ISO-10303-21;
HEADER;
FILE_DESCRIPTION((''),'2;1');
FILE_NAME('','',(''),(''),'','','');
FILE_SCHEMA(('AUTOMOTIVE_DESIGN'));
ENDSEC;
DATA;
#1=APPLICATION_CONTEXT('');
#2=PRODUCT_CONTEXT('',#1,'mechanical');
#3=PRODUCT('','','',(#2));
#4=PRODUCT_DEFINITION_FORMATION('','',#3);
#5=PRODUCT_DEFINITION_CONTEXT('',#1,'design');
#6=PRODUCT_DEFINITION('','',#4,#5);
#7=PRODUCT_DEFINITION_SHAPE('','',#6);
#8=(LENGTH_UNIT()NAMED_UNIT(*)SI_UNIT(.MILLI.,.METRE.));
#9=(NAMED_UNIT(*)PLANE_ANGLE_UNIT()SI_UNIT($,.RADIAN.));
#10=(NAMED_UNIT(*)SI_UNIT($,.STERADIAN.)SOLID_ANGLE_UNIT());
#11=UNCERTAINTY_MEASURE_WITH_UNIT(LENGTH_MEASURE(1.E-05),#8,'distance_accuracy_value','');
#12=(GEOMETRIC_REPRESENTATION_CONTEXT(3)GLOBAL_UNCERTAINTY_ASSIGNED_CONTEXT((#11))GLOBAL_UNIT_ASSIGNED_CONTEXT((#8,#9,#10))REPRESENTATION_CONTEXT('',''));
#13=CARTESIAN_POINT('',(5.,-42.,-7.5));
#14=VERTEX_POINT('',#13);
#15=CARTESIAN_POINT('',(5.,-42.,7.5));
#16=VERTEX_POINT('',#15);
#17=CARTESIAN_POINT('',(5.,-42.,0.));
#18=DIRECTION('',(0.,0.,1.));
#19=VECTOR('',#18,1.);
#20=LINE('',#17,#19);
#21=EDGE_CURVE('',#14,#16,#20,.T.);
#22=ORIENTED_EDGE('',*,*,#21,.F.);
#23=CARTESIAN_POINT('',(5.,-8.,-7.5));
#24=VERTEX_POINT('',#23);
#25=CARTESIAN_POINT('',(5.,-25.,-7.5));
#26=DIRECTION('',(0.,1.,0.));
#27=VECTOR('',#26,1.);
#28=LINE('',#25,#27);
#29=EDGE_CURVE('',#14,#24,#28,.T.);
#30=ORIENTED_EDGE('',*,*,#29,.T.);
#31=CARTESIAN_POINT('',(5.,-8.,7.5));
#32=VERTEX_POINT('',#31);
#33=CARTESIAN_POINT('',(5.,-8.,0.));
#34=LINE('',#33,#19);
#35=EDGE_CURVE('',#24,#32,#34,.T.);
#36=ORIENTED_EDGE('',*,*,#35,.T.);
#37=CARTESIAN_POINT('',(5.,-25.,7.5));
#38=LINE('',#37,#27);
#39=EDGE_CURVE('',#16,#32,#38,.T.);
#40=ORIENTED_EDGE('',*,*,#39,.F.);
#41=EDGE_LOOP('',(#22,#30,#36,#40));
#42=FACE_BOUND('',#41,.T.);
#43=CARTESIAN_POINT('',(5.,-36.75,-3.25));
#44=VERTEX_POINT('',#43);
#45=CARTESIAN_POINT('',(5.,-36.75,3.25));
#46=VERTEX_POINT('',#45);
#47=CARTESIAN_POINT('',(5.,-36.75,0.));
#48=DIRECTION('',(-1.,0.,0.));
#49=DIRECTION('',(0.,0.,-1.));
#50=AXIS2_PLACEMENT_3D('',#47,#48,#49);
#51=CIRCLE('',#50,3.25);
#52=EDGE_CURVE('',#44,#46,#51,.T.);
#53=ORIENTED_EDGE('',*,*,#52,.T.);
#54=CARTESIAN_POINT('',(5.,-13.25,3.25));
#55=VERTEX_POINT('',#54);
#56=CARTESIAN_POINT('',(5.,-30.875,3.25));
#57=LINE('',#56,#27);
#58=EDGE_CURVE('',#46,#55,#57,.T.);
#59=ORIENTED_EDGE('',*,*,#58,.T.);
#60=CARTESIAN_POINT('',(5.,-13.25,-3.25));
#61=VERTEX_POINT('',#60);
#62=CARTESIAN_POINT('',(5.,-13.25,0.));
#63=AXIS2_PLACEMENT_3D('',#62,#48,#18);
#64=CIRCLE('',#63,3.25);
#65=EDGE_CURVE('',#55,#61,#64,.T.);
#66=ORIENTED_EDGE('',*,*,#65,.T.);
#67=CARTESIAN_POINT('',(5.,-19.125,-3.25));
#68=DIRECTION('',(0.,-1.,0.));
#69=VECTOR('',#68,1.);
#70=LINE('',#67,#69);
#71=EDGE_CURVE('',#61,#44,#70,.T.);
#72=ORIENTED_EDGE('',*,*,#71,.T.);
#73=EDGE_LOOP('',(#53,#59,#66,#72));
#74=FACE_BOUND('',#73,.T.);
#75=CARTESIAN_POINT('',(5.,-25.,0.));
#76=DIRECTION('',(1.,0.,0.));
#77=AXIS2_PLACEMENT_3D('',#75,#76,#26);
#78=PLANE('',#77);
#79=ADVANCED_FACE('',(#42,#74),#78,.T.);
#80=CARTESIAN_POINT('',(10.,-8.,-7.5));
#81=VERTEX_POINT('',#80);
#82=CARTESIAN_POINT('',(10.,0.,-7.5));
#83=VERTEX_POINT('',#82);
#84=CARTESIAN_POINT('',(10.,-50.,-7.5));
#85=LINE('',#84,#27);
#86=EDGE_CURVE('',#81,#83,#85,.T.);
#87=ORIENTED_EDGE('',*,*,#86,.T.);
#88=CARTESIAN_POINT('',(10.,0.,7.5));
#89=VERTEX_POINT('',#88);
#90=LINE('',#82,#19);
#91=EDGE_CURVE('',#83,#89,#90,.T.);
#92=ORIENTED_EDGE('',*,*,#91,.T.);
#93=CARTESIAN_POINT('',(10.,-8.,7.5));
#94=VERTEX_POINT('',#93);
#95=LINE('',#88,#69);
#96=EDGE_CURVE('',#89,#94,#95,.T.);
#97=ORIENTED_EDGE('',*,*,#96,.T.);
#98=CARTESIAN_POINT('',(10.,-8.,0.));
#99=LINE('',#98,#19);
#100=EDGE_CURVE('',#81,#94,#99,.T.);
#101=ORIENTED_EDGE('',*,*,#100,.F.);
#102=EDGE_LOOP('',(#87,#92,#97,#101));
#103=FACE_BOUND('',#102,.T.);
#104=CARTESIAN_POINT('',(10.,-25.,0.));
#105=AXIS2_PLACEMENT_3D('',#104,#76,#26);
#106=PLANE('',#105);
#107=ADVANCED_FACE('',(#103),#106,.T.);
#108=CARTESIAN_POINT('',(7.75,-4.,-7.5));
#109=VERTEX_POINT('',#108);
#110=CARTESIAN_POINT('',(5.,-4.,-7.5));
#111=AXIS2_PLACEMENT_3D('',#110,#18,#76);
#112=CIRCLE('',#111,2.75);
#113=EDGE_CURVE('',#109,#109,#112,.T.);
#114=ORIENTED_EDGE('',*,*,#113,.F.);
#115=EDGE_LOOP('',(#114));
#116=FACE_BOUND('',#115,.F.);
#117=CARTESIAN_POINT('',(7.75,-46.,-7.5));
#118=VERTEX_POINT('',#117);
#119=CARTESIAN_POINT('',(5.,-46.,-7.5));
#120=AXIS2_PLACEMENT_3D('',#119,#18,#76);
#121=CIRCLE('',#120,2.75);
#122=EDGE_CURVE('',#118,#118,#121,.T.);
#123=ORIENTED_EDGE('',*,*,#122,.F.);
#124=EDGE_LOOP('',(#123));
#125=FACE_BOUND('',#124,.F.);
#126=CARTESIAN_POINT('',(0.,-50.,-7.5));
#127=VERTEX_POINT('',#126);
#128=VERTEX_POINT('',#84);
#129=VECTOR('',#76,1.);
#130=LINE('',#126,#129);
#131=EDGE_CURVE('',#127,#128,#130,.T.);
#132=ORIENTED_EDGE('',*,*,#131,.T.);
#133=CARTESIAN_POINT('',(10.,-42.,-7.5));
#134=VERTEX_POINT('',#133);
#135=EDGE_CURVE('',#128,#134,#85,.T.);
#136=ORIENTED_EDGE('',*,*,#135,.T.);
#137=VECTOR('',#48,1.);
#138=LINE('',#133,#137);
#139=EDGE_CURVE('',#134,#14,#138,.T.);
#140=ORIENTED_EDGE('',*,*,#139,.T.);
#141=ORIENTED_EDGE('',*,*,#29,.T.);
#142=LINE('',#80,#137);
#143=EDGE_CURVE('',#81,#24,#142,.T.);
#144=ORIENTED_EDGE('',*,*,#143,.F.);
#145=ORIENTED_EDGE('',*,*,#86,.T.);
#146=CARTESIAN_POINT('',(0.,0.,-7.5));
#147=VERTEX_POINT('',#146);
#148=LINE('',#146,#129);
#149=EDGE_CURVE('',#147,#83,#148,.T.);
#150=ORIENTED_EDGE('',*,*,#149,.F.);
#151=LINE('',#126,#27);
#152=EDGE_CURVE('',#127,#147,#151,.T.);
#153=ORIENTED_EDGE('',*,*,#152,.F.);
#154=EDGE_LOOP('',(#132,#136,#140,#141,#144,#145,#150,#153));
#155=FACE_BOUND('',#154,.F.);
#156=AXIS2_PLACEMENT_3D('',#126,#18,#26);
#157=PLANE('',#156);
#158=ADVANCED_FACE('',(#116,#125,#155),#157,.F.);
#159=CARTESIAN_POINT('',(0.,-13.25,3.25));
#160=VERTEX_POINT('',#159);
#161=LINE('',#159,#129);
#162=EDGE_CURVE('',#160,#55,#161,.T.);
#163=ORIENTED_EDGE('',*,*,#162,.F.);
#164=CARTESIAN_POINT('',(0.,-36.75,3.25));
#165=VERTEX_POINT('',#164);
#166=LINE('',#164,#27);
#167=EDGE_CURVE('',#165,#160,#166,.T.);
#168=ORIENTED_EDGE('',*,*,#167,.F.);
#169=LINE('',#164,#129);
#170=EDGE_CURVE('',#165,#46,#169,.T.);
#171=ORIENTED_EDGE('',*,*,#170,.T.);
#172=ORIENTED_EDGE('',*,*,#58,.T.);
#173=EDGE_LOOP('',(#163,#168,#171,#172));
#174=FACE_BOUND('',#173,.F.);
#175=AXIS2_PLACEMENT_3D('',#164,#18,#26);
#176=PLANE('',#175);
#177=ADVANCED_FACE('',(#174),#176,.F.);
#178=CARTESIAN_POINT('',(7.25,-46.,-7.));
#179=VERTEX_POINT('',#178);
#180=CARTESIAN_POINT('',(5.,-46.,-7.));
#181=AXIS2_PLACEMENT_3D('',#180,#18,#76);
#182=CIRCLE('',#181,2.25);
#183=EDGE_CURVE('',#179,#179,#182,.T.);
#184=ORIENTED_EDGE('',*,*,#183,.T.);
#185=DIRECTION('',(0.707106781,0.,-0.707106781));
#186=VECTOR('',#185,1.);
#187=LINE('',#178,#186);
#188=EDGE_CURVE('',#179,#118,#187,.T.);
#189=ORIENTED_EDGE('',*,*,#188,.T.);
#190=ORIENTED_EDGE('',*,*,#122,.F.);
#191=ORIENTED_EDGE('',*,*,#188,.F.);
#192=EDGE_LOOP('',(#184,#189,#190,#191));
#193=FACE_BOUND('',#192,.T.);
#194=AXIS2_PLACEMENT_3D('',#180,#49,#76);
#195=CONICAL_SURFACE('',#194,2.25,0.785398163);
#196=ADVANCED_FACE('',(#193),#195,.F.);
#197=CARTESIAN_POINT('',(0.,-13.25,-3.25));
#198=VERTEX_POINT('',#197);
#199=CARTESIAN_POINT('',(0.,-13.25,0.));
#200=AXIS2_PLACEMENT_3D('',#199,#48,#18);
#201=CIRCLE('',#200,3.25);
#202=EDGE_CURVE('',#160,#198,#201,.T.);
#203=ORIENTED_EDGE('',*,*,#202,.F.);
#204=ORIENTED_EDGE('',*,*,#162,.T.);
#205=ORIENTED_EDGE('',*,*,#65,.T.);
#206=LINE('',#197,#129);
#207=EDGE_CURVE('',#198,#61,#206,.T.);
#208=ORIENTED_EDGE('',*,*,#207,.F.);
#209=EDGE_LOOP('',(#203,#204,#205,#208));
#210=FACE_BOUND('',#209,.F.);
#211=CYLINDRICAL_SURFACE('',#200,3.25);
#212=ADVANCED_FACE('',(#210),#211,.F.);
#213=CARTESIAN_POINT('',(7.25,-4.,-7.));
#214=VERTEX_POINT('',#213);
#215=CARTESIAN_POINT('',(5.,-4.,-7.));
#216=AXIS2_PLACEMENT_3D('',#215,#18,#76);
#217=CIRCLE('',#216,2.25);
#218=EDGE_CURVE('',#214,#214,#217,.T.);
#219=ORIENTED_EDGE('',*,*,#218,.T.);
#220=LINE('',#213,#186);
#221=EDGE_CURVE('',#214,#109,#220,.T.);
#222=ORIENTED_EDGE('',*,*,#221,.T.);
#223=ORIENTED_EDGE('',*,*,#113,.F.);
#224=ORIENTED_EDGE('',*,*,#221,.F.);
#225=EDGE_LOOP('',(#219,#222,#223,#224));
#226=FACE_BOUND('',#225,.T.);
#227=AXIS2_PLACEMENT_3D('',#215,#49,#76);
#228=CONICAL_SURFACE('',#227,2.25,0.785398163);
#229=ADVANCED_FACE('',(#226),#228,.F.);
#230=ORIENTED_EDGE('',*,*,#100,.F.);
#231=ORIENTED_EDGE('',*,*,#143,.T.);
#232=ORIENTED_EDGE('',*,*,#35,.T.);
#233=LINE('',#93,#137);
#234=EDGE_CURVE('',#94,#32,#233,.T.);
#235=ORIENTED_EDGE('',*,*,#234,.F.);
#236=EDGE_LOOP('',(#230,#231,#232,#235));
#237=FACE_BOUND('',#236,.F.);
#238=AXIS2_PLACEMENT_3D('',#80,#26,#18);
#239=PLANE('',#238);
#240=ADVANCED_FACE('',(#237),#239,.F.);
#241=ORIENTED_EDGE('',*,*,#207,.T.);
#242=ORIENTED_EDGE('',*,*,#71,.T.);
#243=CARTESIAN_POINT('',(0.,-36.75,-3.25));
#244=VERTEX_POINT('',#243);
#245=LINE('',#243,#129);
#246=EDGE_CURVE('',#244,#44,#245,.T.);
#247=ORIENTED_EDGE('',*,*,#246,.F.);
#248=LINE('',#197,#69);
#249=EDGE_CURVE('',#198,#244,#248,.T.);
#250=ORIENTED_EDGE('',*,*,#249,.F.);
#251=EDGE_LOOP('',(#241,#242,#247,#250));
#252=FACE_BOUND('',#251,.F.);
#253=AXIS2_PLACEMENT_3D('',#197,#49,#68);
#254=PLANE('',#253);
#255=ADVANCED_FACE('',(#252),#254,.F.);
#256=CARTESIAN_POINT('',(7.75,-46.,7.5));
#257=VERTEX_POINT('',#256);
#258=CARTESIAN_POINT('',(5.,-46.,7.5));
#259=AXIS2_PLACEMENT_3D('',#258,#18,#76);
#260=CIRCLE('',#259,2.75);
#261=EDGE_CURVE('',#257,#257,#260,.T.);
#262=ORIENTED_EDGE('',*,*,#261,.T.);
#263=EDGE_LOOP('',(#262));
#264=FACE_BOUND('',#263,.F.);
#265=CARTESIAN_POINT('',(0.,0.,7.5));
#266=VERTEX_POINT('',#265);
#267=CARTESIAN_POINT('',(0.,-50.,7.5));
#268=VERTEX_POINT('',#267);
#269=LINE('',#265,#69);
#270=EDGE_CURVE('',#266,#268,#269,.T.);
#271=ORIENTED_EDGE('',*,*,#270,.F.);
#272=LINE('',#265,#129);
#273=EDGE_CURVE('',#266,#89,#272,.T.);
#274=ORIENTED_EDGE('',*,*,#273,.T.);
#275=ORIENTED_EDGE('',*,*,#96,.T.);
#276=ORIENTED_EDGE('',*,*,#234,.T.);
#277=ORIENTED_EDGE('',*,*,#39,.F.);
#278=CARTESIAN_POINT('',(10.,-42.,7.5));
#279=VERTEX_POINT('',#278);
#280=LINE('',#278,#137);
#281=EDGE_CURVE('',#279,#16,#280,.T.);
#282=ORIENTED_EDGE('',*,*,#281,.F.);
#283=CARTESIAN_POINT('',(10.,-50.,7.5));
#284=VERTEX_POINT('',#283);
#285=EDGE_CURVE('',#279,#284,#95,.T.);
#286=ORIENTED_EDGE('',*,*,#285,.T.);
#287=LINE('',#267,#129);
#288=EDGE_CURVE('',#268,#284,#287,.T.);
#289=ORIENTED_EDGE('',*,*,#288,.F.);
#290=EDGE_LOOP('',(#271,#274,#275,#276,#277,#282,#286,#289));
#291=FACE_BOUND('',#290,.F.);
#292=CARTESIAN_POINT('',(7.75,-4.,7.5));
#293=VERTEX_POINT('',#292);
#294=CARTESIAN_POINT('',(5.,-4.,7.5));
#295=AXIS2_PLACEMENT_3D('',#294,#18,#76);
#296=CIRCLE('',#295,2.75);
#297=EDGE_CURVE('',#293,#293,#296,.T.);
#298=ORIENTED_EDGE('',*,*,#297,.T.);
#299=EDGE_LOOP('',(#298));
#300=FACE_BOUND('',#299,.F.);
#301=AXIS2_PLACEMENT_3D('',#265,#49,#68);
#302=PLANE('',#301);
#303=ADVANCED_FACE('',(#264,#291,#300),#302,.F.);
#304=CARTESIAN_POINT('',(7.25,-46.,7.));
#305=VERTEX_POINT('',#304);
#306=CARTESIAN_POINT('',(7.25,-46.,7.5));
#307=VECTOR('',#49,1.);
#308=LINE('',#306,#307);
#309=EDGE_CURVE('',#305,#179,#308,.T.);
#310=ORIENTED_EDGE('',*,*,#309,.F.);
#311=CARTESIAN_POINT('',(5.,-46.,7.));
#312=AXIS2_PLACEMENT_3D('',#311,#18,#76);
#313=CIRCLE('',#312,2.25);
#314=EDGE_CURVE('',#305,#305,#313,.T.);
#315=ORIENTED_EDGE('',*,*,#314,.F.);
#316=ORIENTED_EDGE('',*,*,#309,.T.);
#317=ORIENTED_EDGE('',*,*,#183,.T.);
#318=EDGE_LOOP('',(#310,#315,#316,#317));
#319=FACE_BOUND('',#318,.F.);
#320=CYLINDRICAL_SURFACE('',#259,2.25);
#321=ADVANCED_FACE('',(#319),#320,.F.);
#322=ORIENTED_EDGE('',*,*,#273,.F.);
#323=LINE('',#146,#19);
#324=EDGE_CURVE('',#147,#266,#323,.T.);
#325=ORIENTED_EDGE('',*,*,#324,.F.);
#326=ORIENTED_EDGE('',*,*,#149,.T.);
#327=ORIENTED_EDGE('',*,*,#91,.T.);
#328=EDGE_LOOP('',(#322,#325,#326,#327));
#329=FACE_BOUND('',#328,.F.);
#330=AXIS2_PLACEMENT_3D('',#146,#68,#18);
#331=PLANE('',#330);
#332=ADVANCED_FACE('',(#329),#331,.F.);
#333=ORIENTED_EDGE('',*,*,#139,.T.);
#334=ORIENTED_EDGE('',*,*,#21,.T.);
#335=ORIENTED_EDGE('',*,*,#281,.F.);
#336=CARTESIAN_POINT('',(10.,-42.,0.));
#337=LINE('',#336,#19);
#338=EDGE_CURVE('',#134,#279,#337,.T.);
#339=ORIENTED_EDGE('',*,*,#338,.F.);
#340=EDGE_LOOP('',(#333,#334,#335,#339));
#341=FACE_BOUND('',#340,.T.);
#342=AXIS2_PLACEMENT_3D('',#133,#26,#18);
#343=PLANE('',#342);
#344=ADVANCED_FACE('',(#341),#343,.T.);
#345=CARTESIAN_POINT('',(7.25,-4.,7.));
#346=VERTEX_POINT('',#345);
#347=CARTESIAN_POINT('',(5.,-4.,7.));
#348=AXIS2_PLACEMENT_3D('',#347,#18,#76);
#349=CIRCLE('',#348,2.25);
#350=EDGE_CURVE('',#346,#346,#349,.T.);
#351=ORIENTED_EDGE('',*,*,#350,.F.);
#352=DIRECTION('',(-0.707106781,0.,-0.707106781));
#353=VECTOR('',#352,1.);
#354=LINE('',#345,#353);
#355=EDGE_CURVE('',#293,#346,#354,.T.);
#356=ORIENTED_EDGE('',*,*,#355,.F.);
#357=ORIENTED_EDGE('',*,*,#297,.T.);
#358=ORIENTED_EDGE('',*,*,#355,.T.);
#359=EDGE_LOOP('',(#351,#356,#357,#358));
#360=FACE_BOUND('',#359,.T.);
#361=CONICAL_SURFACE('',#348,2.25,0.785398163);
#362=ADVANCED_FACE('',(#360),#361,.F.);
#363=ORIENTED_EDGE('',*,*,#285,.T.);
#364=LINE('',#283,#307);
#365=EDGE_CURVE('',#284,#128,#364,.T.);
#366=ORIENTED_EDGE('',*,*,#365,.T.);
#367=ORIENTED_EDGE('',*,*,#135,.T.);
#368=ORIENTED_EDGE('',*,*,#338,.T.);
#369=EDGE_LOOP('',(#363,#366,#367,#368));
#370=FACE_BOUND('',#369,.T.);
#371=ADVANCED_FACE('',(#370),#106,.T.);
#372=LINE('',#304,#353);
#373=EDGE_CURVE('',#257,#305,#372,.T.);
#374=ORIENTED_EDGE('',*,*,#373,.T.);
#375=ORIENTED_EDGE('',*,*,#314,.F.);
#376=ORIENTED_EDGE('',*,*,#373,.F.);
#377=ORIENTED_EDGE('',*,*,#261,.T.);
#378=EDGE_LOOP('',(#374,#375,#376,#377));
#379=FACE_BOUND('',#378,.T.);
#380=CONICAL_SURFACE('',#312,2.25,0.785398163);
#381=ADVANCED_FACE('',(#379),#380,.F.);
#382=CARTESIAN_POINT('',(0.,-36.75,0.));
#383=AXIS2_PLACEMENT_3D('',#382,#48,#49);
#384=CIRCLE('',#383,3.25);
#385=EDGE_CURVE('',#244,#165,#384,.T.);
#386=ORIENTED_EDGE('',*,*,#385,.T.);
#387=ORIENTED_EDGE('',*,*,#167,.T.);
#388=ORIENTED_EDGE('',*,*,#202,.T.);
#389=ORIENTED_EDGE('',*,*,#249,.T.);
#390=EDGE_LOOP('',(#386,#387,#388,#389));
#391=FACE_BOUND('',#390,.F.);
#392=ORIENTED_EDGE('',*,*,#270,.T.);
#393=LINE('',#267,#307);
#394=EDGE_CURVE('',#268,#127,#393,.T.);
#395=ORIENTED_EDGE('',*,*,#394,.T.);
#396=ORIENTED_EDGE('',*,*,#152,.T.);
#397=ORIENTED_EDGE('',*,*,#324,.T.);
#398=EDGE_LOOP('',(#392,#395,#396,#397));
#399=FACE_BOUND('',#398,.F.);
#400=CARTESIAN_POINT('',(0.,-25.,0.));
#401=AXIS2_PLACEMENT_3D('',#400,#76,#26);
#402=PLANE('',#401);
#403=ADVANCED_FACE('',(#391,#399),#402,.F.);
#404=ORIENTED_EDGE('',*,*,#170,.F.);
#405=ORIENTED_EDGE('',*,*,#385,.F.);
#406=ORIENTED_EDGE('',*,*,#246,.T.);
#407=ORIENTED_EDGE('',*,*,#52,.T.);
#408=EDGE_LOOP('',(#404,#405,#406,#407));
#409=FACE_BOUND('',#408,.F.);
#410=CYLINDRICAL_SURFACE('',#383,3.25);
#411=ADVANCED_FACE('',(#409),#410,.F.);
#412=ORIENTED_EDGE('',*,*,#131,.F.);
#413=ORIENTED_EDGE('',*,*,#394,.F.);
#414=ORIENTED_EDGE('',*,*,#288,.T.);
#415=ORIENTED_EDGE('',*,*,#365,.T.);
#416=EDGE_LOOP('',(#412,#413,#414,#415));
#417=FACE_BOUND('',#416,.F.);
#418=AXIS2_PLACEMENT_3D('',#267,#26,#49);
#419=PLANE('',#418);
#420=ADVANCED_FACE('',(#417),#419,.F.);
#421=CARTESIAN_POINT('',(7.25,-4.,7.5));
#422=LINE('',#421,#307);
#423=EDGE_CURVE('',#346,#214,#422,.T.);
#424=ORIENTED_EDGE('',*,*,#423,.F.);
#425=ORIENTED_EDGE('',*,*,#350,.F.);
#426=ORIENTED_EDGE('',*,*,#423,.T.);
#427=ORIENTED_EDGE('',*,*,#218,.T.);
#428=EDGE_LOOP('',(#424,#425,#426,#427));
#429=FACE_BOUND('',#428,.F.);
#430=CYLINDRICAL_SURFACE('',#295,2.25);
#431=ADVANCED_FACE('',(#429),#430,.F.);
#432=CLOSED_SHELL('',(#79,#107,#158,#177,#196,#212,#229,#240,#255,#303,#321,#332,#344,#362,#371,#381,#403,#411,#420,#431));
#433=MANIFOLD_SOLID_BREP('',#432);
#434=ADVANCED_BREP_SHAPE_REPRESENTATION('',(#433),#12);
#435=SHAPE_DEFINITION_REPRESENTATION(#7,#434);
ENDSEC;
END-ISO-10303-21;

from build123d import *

# Parameters (mm, degrees)
F1_DEPTH = 10
F2_W     = 34
F2_H     = 15
F3_DEPTH = 5
F4_R     = 2.25
F5_DEPTH = 25
F6_SIZE  = 0.5


with BuildPart() as f1:
    # F0 (on Right) → F1 (new body)
    with BuildSketch(Plane.YZ):
        Polygon((0, 7.5), (-50, 7.5), (-50, 3.25), (-50, 0), (-50, -3.25), (-50, -7.5), (0, -7.5), (0, 0), align=None)
        with BuildLine():
            ThreePointArc((-36.75, -3.25), (-40, 0), (-36.75, 3.25))
            Line((-36.75, 3.25), (-13.25, 3.25))
            ThreePointArc((-13.25, 3.25), (-10, 0), (-13.25, -3.25))
            Line((-13.25, -3.25), (-36.75, -3.25))
        make_face(mode=Mode.SUBTRACT)
    extrude(amount=F1_DEPTH)

    # F2 (on face) → F3 (cut)
    with BuildSketch(Plane.YZ.offset(10)):
        with Locations((-25, 0)):
            Rectangle(F2_W, F2_H)
    extrude(amount=-F3_DEPTH, mode=Mode.SUBTRACT)

    # F4 (on face) → F5 (cut)
    with BuildSketch(Plane.XY.offset(7.5)):
        with Locations((5, -46)):
            Circle(F4_R)
        with Locations((5, -4)):
            Circle(F4_R)
    extrude(amount=-F5_DEPTH, mode=Mode.SUBTRACT)

    # F6
    f6_edges = [f1.edges().sort_by_distance(p)[0] for p in [
        (2.75, -46, 7.5),
        (7.25, -46, 0),
        (2.75, -46, -7.5),
        (2.75, -4, 7.5),
        (7.25, -4, 0),
        (2.75, -4, -7.5),
    ]]
    chamfer(f6_edges, length=F6_SIZE)


solid = f1.part
